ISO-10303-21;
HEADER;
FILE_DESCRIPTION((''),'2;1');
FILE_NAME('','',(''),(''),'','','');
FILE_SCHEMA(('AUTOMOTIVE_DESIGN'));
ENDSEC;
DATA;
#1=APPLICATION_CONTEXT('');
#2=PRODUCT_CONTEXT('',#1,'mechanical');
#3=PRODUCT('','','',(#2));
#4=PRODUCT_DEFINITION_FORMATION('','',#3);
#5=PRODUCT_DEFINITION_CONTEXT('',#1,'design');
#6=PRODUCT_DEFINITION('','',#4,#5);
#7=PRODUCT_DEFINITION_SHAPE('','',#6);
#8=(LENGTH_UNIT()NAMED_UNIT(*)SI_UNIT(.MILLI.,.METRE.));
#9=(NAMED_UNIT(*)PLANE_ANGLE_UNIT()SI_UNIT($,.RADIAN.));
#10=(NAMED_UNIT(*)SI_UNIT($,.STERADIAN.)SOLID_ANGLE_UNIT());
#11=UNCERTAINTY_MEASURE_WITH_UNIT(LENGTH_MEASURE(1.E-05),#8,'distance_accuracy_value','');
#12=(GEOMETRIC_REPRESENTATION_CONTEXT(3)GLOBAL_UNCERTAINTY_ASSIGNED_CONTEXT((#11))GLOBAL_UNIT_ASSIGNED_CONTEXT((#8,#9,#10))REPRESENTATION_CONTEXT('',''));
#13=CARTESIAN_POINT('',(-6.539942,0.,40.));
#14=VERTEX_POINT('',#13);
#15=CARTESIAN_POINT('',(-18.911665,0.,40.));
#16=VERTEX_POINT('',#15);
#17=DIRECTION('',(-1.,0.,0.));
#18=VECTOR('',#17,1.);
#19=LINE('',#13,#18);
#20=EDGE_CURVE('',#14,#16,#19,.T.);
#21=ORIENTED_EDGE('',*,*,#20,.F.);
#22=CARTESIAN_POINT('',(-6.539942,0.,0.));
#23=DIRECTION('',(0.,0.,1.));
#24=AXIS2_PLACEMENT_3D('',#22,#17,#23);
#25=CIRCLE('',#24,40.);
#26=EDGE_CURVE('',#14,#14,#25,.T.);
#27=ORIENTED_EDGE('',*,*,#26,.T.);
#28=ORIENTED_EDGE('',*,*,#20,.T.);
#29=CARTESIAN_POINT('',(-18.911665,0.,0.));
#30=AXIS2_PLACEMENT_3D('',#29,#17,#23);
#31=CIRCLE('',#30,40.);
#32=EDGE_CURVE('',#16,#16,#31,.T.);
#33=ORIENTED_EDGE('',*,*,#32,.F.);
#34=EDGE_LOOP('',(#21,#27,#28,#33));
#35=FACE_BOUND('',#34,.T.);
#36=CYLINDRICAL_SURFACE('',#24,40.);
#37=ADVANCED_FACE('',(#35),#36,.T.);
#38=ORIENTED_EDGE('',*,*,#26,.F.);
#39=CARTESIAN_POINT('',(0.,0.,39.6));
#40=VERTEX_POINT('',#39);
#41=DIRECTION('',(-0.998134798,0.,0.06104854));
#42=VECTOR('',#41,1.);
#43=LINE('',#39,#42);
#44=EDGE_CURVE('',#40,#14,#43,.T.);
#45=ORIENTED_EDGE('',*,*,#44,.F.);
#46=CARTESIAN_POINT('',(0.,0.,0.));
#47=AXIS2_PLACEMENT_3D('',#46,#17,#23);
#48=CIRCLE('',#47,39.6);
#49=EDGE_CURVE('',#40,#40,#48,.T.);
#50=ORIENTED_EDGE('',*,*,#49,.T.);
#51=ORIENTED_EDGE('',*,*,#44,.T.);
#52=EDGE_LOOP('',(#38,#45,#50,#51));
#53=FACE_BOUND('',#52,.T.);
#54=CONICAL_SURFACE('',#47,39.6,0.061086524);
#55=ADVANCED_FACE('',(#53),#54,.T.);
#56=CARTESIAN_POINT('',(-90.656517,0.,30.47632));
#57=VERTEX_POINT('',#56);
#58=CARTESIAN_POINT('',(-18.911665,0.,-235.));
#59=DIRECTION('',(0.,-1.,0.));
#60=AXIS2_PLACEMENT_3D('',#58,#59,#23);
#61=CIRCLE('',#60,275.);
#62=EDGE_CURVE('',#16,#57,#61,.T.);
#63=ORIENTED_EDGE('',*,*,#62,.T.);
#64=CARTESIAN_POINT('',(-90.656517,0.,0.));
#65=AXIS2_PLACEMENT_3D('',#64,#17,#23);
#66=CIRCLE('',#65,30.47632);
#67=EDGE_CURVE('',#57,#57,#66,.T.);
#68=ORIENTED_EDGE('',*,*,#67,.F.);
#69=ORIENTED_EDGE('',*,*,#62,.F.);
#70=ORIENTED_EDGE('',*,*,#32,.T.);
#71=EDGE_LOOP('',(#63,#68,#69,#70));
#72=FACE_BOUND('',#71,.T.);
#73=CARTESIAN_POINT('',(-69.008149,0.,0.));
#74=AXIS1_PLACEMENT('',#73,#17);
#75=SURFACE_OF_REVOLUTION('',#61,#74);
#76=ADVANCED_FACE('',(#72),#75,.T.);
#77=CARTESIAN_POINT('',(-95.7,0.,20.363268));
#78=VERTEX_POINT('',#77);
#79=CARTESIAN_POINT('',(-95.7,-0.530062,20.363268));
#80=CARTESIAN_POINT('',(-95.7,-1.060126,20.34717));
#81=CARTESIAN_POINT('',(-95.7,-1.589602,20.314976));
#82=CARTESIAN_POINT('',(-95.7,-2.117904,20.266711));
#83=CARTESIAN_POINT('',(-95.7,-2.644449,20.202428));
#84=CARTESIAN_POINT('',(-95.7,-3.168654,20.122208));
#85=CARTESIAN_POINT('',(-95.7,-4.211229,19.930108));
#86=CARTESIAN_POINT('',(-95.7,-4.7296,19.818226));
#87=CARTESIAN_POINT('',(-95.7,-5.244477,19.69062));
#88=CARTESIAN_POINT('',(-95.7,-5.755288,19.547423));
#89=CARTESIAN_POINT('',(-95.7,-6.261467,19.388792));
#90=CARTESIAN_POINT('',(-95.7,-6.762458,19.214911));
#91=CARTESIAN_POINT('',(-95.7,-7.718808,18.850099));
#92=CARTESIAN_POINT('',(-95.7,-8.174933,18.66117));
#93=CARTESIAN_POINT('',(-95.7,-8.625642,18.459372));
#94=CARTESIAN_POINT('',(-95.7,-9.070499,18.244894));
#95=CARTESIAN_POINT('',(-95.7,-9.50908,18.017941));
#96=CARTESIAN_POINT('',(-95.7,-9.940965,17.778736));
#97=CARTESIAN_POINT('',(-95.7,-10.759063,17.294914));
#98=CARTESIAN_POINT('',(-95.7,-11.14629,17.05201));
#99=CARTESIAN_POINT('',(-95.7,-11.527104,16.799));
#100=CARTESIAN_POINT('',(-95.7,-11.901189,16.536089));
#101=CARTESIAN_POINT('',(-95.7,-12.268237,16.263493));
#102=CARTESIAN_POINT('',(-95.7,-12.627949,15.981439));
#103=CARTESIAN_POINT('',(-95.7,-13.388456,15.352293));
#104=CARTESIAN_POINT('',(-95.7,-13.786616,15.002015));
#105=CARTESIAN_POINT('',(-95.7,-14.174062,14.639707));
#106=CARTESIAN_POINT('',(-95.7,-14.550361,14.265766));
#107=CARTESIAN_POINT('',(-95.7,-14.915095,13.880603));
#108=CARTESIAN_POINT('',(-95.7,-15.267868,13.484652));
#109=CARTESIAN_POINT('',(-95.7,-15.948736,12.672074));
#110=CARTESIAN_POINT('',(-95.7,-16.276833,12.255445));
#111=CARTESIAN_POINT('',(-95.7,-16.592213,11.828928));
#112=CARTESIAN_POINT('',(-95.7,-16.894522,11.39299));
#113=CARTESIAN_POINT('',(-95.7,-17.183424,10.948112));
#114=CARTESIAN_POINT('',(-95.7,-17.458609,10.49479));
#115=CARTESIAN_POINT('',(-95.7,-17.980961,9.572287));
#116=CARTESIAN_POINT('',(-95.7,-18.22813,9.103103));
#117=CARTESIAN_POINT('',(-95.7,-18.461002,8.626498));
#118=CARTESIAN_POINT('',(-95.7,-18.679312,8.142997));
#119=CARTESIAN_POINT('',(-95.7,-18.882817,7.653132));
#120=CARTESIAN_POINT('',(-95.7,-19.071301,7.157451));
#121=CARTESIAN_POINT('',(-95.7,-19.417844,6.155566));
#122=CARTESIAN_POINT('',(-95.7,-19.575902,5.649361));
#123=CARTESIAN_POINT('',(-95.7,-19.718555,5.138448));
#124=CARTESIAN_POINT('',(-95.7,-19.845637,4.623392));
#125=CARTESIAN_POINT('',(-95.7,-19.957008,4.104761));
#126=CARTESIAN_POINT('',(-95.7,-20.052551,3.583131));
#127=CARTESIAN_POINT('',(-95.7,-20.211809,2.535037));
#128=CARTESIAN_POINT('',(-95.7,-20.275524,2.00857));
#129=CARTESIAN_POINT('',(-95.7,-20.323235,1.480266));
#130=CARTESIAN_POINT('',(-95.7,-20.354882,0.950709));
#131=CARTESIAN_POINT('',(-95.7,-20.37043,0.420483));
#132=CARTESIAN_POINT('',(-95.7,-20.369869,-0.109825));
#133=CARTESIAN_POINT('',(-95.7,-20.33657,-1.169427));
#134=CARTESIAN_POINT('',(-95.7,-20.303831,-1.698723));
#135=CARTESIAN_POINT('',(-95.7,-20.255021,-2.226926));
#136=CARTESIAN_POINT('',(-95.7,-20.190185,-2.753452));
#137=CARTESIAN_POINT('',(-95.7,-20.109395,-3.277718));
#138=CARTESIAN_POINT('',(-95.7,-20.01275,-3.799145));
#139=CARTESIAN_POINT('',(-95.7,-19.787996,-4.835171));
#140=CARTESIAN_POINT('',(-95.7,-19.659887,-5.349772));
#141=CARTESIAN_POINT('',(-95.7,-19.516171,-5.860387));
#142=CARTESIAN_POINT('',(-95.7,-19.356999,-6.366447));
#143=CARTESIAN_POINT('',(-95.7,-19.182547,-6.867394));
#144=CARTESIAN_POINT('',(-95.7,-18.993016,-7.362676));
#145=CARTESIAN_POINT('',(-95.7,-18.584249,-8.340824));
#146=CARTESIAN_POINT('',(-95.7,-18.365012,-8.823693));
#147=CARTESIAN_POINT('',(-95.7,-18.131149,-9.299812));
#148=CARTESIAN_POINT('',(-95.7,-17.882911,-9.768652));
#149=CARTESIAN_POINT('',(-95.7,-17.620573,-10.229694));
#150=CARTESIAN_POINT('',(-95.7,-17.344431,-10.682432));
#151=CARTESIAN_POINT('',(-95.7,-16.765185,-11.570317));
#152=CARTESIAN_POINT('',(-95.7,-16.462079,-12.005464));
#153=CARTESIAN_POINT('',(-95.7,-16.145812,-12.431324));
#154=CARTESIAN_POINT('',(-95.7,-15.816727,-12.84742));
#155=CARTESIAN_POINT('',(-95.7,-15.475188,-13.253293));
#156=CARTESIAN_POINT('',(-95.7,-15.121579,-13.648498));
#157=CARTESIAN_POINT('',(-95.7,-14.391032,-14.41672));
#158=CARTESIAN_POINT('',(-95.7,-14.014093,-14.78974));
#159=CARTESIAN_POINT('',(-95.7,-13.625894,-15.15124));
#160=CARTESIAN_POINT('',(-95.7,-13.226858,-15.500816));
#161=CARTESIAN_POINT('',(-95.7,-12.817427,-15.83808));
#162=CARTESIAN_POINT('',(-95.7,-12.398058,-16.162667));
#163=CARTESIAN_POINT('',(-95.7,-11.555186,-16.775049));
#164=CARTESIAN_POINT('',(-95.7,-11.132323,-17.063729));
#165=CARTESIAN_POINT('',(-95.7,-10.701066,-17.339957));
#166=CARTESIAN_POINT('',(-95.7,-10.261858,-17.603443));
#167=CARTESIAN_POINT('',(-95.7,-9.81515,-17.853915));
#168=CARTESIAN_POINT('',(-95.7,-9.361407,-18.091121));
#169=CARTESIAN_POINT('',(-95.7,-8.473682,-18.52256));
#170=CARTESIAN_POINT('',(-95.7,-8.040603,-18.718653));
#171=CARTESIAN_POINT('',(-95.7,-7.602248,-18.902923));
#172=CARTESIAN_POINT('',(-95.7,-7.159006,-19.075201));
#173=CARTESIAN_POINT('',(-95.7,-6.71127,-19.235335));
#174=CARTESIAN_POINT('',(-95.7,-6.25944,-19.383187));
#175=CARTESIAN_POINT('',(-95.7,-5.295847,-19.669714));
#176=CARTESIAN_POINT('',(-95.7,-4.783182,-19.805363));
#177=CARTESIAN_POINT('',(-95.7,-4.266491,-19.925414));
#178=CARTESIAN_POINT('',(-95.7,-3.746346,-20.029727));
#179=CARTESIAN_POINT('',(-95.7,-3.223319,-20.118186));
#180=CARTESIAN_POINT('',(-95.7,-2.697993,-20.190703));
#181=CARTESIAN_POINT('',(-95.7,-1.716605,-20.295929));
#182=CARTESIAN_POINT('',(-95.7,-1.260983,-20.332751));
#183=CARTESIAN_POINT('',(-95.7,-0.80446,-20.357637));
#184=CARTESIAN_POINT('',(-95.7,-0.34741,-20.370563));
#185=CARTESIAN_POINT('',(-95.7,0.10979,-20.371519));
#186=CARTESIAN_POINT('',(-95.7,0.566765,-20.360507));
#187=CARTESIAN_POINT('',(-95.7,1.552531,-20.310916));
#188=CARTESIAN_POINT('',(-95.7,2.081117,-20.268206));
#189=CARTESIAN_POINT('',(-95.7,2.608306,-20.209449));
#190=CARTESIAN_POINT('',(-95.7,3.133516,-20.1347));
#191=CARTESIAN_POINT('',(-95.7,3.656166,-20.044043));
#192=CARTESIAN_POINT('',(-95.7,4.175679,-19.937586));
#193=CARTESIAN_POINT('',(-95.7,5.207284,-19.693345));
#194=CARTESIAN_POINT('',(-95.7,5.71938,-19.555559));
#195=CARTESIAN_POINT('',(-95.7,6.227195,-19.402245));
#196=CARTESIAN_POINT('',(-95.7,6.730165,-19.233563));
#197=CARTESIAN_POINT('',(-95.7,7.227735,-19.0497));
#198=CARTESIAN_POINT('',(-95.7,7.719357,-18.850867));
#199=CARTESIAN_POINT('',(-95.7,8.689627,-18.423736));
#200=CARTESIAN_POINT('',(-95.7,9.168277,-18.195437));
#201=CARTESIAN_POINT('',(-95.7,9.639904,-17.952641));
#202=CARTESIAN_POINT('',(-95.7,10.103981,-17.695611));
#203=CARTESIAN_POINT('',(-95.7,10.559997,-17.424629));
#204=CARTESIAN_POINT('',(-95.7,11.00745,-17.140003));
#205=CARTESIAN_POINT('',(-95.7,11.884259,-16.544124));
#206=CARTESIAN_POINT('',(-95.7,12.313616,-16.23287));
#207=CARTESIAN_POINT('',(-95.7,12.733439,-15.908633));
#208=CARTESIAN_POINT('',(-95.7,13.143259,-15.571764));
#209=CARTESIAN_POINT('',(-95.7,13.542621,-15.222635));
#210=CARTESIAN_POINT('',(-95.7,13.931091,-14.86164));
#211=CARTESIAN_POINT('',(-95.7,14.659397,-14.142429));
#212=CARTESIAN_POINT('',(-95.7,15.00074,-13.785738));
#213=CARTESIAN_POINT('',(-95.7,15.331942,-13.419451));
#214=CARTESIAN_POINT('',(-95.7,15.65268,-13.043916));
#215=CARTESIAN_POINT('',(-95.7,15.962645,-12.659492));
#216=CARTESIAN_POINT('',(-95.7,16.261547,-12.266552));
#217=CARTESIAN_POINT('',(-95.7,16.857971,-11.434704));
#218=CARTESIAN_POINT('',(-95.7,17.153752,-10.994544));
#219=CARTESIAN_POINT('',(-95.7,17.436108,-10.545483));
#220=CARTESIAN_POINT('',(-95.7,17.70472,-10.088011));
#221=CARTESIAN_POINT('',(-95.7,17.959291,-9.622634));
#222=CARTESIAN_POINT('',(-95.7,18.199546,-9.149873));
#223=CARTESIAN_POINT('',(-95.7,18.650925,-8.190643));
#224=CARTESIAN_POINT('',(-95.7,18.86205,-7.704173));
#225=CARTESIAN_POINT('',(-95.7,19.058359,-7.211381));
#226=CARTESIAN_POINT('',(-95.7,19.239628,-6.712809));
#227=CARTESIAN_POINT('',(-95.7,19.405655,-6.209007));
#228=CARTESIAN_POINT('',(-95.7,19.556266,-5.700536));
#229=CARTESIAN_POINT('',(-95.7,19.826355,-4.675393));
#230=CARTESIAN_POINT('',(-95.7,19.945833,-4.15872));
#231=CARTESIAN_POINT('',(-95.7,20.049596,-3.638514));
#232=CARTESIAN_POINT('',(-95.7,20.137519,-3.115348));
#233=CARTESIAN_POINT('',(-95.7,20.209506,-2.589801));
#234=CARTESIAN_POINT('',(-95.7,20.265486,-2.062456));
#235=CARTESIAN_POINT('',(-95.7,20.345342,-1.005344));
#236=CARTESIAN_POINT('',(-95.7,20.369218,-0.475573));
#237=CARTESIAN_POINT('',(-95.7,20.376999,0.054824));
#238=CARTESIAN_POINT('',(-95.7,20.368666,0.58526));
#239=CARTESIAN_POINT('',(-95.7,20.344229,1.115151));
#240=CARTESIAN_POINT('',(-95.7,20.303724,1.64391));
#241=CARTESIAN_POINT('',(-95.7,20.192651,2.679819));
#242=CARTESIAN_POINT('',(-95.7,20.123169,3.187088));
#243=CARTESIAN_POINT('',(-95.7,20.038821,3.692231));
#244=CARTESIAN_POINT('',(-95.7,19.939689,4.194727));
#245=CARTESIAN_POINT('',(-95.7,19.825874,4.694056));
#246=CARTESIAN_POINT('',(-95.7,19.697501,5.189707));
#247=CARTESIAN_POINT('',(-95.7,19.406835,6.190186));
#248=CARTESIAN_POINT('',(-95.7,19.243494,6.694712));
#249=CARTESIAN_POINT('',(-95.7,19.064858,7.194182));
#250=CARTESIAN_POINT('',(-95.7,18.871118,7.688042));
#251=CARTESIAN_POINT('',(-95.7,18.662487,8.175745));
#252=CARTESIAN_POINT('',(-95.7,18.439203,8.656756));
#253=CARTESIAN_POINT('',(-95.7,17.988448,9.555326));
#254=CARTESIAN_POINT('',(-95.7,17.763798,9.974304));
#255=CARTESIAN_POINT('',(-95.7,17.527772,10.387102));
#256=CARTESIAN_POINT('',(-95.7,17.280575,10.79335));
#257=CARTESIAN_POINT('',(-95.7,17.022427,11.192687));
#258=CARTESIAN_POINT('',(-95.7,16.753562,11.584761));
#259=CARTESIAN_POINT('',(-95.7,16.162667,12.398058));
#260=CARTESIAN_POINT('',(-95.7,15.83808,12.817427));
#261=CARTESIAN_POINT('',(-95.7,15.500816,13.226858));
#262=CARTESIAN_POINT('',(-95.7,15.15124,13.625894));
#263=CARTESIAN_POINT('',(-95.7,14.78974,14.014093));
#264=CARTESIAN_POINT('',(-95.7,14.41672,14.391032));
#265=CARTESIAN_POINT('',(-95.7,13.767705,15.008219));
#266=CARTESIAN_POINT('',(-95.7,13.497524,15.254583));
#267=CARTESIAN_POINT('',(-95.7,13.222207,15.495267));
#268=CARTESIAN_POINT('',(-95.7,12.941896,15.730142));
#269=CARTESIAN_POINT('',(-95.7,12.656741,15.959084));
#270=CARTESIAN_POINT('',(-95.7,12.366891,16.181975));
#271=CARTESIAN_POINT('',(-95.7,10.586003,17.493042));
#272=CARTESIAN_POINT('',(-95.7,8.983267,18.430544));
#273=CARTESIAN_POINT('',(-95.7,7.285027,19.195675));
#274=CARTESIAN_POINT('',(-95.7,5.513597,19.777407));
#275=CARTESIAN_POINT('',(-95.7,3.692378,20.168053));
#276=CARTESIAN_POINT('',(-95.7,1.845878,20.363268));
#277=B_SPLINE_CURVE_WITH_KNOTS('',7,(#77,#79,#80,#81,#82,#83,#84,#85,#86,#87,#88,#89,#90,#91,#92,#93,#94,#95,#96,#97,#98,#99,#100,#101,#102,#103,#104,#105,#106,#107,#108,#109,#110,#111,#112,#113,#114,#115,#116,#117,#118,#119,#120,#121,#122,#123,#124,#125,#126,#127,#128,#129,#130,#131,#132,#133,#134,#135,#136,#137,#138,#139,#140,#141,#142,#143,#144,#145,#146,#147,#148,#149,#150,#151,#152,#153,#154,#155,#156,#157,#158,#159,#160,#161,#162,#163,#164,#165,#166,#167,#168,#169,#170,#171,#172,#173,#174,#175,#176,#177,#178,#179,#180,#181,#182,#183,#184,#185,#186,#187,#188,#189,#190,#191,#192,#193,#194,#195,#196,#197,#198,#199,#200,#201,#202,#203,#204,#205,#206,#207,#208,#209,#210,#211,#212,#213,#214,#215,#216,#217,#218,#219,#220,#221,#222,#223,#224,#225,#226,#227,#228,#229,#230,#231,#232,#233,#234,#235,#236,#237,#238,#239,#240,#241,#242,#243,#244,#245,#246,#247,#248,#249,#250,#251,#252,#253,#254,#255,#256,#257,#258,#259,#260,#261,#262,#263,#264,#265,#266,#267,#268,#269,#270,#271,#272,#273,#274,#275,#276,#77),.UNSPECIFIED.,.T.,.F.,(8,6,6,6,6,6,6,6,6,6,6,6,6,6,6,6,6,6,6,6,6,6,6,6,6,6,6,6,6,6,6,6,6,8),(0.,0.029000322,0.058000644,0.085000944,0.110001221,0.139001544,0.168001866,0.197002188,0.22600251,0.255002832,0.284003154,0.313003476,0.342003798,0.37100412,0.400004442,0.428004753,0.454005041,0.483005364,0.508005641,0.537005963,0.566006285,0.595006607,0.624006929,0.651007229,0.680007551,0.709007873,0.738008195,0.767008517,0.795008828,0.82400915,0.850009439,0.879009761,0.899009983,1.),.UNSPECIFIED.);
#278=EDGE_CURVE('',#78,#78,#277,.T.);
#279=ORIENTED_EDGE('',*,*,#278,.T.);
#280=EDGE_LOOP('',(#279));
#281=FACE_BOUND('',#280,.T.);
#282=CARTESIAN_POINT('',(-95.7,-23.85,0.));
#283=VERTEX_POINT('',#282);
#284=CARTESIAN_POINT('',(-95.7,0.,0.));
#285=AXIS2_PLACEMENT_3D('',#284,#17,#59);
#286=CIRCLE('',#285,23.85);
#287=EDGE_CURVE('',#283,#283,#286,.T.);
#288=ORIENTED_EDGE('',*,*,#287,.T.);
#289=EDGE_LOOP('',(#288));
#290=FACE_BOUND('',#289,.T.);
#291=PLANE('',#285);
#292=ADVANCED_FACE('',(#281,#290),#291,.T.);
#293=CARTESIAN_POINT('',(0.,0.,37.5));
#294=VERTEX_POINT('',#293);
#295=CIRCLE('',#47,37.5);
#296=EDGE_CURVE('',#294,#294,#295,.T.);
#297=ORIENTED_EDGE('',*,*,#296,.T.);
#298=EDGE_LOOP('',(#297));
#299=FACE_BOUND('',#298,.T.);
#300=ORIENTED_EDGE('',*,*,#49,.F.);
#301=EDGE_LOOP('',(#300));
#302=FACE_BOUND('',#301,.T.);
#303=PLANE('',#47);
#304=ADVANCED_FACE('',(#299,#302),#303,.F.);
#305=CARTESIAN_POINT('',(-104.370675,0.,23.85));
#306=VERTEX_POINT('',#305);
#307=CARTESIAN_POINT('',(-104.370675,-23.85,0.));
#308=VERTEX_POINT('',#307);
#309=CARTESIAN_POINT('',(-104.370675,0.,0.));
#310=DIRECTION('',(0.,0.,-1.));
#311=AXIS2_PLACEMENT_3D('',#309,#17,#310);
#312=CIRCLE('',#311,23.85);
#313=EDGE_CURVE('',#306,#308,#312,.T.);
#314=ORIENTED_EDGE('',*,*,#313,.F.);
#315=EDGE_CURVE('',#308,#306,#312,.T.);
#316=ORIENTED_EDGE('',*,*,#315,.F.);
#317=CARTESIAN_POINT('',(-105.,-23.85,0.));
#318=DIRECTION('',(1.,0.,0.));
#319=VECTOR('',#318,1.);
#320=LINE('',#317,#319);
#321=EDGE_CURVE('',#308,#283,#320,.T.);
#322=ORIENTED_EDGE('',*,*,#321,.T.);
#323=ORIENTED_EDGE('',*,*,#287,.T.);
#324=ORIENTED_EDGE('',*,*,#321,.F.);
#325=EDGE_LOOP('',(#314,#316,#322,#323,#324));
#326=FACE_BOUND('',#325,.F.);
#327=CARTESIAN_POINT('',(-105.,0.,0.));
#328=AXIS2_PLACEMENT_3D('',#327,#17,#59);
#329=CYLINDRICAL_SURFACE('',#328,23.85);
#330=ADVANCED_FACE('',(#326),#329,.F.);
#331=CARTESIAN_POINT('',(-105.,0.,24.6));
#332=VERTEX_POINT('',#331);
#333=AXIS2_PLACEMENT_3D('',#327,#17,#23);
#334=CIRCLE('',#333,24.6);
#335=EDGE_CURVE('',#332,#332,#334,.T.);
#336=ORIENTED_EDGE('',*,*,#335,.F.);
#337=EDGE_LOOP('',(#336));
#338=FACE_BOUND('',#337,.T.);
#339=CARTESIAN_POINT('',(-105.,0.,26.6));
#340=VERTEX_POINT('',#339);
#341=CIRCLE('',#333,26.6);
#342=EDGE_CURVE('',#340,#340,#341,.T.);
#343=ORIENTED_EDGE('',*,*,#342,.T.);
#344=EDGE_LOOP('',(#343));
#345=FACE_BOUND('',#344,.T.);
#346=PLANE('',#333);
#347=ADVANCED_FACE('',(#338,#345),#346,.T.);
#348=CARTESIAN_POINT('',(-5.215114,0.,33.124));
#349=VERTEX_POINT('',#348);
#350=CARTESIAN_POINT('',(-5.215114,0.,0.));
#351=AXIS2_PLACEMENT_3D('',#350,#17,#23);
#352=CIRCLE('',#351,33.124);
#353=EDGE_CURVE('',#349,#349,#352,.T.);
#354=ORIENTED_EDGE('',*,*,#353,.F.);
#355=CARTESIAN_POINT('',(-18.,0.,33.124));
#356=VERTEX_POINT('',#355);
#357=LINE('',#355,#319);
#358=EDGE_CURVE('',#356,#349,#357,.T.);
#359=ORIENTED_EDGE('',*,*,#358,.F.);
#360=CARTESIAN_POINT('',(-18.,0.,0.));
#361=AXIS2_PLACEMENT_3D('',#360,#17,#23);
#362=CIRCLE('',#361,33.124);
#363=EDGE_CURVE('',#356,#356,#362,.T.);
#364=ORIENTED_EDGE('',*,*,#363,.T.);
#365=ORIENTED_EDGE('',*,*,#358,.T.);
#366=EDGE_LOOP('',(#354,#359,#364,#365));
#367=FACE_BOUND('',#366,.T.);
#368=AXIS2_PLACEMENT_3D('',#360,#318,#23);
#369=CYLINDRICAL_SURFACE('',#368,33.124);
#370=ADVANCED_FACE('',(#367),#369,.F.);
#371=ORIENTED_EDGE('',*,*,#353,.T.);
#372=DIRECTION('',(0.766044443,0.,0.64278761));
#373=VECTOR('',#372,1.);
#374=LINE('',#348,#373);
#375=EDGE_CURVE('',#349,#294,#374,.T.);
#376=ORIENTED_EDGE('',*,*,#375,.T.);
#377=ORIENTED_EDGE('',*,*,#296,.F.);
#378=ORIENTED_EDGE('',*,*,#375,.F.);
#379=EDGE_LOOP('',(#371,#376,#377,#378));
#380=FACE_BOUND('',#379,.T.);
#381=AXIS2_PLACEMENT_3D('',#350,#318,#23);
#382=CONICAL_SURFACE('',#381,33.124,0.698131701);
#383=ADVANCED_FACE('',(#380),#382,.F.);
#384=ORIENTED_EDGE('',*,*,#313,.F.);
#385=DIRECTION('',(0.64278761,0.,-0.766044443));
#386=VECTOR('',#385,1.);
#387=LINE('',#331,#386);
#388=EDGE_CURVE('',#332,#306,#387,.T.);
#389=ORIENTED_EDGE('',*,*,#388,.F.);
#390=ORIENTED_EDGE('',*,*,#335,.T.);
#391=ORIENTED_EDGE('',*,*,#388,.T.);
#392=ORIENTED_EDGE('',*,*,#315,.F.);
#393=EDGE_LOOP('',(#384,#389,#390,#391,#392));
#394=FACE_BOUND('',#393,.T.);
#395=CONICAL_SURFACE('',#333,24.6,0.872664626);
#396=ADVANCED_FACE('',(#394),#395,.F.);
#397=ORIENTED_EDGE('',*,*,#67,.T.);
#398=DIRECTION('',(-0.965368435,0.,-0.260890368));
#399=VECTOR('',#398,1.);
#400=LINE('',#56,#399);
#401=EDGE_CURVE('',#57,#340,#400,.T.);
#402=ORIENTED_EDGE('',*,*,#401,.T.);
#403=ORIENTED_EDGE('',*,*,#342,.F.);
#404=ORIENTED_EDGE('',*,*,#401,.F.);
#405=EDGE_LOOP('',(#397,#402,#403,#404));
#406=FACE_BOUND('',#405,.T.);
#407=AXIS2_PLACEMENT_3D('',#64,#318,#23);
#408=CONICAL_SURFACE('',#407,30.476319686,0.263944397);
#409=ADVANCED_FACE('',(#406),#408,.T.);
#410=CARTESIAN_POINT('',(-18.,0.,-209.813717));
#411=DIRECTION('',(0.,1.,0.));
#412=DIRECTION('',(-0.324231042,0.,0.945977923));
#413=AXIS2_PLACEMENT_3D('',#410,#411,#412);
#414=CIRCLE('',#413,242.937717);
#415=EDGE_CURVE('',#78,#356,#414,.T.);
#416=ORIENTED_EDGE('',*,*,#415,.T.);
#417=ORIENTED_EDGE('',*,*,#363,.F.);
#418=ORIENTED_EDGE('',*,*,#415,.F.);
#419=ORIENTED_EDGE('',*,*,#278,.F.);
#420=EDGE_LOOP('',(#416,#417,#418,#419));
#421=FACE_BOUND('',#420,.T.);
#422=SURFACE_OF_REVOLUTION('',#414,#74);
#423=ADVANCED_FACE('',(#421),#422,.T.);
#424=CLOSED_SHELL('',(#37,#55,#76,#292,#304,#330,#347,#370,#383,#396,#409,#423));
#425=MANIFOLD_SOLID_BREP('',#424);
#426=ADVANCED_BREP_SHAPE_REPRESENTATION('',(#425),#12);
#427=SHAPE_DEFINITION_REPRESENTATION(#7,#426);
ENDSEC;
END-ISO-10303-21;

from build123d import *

# Parameters (mm, degrees)
F2_R     = 23.85
F3_DEPTH = 9.3


with BuildPart() as f1:
    # F0 (on Front) → F1 (revolve)
    with BuildSketch(Plane.XZ):
        with BuildLine():
            Line((-18, 33.124), (-5.2151137212, 33.124))
            Line((-5.2151137212, 33.124), (0, 37.5))
            Line((0, 37.5), (0, 39.6))
            Line((0, 39.6), (-6.5399421904, 40))
            Line((-6.5399421904, 40), (-18.9116653046, 40))
            ThreePointArc((-18.9116653046, 40), (-55.0987630492, 37.6086828346), (-90.6565165902, 30.476319686))
            Line((-90.6565165902, 30.476319686), (-105, 26.6))
            Line((-105, 26.6), (-105, 24.6))
            Line((-105, 24.6), (-101.1401416966, 20))
            Line((-101.1401416966, 20), (-100.2320508076, 20))
            Line((-100.2320508076, 20), (-98.5, 23))
            Line((-98.5, 23), (-96.7679491924, 20))
            ThreePointArc((-96.7679491924, 20), (-57.9268994413, 29.8205398211), (-18, 33.124))
        make_face()
    revolve(axis=Axis((-69.0081492066, 0, 0), (-1, 0, 0)))

    # F2 (on face) → F3 (cut)
    with BuildSketch(Plane(origin=(-105, 0, 0), x_dir=(0, -1, 0), z_dir=(-1, 0, 0))):
        Circle(F2_R)
    extrude(amount=-F3_DEPTH, mode=Mode.SUBTRACT)


solid = f1.part
